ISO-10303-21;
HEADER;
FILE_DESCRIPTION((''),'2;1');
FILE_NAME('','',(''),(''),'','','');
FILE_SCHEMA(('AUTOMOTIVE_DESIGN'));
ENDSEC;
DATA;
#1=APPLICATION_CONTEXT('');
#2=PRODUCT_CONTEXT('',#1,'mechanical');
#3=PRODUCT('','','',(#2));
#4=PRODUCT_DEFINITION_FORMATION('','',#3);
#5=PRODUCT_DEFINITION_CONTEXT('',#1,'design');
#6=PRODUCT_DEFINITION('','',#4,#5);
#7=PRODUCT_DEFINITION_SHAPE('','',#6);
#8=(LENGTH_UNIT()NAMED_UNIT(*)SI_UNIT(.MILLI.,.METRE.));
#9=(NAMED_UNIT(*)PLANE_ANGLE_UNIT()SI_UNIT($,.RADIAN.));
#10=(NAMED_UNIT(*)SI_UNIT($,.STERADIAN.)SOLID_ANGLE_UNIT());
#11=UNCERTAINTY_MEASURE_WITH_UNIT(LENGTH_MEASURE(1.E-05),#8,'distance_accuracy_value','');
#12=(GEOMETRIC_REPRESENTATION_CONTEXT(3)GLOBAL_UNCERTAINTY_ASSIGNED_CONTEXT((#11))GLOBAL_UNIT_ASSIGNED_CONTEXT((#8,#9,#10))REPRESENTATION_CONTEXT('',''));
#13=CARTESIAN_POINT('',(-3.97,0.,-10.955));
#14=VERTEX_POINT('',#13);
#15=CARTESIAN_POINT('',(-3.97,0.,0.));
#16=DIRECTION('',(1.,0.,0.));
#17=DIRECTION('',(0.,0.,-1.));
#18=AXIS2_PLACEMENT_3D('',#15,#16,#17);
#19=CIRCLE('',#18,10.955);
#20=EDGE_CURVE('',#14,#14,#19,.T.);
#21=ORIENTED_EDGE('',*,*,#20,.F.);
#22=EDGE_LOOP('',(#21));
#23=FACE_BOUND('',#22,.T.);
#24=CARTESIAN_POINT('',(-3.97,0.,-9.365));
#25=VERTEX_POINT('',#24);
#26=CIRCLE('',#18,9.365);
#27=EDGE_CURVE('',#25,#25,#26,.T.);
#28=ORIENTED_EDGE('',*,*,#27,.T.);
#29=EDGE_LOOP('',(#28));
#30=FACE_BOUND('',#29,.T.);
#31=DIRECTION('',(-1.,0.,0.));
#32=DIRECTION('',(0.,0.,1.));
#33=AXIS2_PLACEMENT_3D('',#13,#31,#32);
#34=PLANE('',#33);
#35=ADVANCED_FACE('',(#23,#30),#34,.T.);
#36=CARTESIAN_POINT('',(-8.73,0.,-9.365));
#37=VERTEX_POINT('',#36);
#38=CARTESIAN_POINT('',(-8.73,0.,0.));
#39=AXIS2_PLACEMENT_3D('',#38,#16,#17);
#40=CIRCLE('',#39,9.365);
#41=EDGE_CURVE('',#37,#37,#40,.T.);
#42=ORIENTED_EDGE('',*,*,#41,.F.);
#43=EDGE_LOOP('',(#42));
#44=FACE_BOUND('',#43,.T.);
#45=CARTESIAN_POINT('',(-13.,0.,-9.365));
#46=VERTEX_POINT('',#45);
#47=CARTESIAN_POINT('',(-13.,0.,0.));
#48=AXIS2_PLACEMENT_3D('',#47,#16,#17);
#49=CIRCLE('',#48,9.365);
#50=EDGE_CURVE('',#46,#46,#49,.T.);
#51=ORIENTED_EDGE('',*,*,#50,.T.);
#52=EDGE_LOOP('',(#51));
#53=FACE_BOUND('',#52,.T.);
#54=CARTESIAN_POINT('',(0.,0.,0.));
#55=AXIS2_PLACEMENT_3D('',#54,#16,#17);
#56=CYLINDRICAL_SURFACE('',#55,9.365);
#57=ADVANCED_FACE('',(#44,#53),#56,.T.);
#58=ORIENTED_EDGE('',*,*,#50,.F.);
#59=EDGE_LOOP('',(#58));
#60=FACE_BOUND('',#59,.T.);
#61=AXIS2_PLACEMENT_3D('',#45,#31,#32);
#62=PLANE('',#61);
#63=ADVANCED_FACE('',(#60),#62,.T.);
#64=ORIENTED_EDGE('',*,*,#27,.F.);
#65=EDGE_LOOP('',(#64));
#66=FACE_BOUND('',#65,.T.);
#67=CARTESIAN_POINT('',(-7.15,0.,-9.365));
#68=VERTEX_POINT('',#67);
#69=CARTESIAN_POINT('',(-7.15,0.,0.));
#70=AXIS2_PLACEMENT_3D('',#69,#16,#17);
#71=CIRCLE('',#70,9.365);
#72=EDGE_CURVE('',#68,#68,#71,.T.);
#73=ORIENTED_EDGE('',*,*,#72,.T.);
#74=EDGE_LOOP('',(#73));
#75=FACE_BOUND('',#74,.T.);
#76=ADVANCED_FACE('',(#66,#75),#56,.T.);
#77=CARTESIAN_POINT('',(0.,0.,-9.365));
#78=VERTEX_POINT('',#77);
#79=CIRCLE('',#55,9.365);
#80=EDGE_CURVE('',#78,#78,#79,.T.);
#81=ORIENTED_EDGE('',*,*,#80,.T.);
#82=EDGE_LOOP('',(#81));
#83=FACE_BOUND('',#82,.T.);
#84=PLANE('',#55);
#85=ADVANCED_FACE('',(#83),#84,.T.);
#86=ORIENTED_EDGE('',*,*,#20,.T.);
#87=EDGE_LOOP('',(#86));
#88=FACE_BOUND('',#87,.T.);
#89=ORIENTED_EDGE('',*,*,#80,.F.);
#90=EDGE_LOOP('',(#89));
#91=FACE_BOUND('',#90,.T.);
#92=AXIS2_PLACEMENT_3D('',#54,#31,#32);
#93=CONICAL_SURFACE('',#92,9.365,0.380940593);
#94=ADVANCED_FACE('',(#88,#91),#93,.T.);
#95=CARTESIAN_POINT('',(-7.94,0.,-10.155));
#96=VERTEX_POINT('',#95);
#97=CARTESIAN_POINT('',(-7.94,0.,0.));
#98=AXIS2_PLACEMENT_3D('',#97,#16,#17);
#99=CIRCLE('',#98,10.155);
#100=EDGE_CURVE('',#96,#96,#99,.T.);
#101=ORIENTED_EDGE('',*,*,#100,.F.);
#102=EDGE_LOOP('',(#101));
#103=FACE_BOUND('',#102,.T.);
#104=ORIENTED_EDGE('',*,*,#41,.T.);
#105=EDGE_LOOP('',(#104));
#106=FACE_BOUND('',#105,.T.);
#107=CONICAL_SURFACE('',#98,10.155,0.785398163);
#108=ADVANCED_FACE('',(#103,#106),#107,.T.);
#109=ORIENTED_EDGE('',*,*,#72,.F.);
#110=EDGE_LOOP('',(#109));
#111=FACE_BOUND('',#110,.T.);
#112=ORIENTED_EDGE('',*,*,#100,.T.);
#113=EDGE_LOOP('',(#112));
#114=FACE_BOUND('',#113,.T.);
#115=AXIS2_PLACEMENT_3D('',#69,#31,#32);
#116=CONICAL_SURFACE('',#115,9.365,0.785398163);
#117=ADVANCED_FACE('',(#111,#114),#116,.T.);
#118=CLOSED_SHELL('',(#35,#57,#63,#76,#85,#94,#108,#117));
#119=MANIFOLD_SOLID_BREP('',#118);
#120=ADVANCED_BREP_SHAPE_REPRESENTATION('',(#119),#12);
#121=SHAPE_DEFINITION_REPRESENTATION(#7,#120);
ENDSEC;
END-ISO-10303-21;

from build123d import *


with BuildPart() as part:
    # Sketch1 → Revolve1 (revolve)
    with BuildSketch(Plane(origin=(0, 0, 0), x_dir=(1, 0, 0), z_dir=(0, 1, 0))):
        Polygon((0, 0), (-13, 0), (-13, 9.365), (-8.73, 9.365), (-7.94, 10.155), (-7.15, 9.365), (-3.97, 9.365), (-3.97, 10.955), (0, 9.365), align=None)
    revolve(axis=Axis((0, 0, 0), (-1, 0, 0)))


solid = part.part
